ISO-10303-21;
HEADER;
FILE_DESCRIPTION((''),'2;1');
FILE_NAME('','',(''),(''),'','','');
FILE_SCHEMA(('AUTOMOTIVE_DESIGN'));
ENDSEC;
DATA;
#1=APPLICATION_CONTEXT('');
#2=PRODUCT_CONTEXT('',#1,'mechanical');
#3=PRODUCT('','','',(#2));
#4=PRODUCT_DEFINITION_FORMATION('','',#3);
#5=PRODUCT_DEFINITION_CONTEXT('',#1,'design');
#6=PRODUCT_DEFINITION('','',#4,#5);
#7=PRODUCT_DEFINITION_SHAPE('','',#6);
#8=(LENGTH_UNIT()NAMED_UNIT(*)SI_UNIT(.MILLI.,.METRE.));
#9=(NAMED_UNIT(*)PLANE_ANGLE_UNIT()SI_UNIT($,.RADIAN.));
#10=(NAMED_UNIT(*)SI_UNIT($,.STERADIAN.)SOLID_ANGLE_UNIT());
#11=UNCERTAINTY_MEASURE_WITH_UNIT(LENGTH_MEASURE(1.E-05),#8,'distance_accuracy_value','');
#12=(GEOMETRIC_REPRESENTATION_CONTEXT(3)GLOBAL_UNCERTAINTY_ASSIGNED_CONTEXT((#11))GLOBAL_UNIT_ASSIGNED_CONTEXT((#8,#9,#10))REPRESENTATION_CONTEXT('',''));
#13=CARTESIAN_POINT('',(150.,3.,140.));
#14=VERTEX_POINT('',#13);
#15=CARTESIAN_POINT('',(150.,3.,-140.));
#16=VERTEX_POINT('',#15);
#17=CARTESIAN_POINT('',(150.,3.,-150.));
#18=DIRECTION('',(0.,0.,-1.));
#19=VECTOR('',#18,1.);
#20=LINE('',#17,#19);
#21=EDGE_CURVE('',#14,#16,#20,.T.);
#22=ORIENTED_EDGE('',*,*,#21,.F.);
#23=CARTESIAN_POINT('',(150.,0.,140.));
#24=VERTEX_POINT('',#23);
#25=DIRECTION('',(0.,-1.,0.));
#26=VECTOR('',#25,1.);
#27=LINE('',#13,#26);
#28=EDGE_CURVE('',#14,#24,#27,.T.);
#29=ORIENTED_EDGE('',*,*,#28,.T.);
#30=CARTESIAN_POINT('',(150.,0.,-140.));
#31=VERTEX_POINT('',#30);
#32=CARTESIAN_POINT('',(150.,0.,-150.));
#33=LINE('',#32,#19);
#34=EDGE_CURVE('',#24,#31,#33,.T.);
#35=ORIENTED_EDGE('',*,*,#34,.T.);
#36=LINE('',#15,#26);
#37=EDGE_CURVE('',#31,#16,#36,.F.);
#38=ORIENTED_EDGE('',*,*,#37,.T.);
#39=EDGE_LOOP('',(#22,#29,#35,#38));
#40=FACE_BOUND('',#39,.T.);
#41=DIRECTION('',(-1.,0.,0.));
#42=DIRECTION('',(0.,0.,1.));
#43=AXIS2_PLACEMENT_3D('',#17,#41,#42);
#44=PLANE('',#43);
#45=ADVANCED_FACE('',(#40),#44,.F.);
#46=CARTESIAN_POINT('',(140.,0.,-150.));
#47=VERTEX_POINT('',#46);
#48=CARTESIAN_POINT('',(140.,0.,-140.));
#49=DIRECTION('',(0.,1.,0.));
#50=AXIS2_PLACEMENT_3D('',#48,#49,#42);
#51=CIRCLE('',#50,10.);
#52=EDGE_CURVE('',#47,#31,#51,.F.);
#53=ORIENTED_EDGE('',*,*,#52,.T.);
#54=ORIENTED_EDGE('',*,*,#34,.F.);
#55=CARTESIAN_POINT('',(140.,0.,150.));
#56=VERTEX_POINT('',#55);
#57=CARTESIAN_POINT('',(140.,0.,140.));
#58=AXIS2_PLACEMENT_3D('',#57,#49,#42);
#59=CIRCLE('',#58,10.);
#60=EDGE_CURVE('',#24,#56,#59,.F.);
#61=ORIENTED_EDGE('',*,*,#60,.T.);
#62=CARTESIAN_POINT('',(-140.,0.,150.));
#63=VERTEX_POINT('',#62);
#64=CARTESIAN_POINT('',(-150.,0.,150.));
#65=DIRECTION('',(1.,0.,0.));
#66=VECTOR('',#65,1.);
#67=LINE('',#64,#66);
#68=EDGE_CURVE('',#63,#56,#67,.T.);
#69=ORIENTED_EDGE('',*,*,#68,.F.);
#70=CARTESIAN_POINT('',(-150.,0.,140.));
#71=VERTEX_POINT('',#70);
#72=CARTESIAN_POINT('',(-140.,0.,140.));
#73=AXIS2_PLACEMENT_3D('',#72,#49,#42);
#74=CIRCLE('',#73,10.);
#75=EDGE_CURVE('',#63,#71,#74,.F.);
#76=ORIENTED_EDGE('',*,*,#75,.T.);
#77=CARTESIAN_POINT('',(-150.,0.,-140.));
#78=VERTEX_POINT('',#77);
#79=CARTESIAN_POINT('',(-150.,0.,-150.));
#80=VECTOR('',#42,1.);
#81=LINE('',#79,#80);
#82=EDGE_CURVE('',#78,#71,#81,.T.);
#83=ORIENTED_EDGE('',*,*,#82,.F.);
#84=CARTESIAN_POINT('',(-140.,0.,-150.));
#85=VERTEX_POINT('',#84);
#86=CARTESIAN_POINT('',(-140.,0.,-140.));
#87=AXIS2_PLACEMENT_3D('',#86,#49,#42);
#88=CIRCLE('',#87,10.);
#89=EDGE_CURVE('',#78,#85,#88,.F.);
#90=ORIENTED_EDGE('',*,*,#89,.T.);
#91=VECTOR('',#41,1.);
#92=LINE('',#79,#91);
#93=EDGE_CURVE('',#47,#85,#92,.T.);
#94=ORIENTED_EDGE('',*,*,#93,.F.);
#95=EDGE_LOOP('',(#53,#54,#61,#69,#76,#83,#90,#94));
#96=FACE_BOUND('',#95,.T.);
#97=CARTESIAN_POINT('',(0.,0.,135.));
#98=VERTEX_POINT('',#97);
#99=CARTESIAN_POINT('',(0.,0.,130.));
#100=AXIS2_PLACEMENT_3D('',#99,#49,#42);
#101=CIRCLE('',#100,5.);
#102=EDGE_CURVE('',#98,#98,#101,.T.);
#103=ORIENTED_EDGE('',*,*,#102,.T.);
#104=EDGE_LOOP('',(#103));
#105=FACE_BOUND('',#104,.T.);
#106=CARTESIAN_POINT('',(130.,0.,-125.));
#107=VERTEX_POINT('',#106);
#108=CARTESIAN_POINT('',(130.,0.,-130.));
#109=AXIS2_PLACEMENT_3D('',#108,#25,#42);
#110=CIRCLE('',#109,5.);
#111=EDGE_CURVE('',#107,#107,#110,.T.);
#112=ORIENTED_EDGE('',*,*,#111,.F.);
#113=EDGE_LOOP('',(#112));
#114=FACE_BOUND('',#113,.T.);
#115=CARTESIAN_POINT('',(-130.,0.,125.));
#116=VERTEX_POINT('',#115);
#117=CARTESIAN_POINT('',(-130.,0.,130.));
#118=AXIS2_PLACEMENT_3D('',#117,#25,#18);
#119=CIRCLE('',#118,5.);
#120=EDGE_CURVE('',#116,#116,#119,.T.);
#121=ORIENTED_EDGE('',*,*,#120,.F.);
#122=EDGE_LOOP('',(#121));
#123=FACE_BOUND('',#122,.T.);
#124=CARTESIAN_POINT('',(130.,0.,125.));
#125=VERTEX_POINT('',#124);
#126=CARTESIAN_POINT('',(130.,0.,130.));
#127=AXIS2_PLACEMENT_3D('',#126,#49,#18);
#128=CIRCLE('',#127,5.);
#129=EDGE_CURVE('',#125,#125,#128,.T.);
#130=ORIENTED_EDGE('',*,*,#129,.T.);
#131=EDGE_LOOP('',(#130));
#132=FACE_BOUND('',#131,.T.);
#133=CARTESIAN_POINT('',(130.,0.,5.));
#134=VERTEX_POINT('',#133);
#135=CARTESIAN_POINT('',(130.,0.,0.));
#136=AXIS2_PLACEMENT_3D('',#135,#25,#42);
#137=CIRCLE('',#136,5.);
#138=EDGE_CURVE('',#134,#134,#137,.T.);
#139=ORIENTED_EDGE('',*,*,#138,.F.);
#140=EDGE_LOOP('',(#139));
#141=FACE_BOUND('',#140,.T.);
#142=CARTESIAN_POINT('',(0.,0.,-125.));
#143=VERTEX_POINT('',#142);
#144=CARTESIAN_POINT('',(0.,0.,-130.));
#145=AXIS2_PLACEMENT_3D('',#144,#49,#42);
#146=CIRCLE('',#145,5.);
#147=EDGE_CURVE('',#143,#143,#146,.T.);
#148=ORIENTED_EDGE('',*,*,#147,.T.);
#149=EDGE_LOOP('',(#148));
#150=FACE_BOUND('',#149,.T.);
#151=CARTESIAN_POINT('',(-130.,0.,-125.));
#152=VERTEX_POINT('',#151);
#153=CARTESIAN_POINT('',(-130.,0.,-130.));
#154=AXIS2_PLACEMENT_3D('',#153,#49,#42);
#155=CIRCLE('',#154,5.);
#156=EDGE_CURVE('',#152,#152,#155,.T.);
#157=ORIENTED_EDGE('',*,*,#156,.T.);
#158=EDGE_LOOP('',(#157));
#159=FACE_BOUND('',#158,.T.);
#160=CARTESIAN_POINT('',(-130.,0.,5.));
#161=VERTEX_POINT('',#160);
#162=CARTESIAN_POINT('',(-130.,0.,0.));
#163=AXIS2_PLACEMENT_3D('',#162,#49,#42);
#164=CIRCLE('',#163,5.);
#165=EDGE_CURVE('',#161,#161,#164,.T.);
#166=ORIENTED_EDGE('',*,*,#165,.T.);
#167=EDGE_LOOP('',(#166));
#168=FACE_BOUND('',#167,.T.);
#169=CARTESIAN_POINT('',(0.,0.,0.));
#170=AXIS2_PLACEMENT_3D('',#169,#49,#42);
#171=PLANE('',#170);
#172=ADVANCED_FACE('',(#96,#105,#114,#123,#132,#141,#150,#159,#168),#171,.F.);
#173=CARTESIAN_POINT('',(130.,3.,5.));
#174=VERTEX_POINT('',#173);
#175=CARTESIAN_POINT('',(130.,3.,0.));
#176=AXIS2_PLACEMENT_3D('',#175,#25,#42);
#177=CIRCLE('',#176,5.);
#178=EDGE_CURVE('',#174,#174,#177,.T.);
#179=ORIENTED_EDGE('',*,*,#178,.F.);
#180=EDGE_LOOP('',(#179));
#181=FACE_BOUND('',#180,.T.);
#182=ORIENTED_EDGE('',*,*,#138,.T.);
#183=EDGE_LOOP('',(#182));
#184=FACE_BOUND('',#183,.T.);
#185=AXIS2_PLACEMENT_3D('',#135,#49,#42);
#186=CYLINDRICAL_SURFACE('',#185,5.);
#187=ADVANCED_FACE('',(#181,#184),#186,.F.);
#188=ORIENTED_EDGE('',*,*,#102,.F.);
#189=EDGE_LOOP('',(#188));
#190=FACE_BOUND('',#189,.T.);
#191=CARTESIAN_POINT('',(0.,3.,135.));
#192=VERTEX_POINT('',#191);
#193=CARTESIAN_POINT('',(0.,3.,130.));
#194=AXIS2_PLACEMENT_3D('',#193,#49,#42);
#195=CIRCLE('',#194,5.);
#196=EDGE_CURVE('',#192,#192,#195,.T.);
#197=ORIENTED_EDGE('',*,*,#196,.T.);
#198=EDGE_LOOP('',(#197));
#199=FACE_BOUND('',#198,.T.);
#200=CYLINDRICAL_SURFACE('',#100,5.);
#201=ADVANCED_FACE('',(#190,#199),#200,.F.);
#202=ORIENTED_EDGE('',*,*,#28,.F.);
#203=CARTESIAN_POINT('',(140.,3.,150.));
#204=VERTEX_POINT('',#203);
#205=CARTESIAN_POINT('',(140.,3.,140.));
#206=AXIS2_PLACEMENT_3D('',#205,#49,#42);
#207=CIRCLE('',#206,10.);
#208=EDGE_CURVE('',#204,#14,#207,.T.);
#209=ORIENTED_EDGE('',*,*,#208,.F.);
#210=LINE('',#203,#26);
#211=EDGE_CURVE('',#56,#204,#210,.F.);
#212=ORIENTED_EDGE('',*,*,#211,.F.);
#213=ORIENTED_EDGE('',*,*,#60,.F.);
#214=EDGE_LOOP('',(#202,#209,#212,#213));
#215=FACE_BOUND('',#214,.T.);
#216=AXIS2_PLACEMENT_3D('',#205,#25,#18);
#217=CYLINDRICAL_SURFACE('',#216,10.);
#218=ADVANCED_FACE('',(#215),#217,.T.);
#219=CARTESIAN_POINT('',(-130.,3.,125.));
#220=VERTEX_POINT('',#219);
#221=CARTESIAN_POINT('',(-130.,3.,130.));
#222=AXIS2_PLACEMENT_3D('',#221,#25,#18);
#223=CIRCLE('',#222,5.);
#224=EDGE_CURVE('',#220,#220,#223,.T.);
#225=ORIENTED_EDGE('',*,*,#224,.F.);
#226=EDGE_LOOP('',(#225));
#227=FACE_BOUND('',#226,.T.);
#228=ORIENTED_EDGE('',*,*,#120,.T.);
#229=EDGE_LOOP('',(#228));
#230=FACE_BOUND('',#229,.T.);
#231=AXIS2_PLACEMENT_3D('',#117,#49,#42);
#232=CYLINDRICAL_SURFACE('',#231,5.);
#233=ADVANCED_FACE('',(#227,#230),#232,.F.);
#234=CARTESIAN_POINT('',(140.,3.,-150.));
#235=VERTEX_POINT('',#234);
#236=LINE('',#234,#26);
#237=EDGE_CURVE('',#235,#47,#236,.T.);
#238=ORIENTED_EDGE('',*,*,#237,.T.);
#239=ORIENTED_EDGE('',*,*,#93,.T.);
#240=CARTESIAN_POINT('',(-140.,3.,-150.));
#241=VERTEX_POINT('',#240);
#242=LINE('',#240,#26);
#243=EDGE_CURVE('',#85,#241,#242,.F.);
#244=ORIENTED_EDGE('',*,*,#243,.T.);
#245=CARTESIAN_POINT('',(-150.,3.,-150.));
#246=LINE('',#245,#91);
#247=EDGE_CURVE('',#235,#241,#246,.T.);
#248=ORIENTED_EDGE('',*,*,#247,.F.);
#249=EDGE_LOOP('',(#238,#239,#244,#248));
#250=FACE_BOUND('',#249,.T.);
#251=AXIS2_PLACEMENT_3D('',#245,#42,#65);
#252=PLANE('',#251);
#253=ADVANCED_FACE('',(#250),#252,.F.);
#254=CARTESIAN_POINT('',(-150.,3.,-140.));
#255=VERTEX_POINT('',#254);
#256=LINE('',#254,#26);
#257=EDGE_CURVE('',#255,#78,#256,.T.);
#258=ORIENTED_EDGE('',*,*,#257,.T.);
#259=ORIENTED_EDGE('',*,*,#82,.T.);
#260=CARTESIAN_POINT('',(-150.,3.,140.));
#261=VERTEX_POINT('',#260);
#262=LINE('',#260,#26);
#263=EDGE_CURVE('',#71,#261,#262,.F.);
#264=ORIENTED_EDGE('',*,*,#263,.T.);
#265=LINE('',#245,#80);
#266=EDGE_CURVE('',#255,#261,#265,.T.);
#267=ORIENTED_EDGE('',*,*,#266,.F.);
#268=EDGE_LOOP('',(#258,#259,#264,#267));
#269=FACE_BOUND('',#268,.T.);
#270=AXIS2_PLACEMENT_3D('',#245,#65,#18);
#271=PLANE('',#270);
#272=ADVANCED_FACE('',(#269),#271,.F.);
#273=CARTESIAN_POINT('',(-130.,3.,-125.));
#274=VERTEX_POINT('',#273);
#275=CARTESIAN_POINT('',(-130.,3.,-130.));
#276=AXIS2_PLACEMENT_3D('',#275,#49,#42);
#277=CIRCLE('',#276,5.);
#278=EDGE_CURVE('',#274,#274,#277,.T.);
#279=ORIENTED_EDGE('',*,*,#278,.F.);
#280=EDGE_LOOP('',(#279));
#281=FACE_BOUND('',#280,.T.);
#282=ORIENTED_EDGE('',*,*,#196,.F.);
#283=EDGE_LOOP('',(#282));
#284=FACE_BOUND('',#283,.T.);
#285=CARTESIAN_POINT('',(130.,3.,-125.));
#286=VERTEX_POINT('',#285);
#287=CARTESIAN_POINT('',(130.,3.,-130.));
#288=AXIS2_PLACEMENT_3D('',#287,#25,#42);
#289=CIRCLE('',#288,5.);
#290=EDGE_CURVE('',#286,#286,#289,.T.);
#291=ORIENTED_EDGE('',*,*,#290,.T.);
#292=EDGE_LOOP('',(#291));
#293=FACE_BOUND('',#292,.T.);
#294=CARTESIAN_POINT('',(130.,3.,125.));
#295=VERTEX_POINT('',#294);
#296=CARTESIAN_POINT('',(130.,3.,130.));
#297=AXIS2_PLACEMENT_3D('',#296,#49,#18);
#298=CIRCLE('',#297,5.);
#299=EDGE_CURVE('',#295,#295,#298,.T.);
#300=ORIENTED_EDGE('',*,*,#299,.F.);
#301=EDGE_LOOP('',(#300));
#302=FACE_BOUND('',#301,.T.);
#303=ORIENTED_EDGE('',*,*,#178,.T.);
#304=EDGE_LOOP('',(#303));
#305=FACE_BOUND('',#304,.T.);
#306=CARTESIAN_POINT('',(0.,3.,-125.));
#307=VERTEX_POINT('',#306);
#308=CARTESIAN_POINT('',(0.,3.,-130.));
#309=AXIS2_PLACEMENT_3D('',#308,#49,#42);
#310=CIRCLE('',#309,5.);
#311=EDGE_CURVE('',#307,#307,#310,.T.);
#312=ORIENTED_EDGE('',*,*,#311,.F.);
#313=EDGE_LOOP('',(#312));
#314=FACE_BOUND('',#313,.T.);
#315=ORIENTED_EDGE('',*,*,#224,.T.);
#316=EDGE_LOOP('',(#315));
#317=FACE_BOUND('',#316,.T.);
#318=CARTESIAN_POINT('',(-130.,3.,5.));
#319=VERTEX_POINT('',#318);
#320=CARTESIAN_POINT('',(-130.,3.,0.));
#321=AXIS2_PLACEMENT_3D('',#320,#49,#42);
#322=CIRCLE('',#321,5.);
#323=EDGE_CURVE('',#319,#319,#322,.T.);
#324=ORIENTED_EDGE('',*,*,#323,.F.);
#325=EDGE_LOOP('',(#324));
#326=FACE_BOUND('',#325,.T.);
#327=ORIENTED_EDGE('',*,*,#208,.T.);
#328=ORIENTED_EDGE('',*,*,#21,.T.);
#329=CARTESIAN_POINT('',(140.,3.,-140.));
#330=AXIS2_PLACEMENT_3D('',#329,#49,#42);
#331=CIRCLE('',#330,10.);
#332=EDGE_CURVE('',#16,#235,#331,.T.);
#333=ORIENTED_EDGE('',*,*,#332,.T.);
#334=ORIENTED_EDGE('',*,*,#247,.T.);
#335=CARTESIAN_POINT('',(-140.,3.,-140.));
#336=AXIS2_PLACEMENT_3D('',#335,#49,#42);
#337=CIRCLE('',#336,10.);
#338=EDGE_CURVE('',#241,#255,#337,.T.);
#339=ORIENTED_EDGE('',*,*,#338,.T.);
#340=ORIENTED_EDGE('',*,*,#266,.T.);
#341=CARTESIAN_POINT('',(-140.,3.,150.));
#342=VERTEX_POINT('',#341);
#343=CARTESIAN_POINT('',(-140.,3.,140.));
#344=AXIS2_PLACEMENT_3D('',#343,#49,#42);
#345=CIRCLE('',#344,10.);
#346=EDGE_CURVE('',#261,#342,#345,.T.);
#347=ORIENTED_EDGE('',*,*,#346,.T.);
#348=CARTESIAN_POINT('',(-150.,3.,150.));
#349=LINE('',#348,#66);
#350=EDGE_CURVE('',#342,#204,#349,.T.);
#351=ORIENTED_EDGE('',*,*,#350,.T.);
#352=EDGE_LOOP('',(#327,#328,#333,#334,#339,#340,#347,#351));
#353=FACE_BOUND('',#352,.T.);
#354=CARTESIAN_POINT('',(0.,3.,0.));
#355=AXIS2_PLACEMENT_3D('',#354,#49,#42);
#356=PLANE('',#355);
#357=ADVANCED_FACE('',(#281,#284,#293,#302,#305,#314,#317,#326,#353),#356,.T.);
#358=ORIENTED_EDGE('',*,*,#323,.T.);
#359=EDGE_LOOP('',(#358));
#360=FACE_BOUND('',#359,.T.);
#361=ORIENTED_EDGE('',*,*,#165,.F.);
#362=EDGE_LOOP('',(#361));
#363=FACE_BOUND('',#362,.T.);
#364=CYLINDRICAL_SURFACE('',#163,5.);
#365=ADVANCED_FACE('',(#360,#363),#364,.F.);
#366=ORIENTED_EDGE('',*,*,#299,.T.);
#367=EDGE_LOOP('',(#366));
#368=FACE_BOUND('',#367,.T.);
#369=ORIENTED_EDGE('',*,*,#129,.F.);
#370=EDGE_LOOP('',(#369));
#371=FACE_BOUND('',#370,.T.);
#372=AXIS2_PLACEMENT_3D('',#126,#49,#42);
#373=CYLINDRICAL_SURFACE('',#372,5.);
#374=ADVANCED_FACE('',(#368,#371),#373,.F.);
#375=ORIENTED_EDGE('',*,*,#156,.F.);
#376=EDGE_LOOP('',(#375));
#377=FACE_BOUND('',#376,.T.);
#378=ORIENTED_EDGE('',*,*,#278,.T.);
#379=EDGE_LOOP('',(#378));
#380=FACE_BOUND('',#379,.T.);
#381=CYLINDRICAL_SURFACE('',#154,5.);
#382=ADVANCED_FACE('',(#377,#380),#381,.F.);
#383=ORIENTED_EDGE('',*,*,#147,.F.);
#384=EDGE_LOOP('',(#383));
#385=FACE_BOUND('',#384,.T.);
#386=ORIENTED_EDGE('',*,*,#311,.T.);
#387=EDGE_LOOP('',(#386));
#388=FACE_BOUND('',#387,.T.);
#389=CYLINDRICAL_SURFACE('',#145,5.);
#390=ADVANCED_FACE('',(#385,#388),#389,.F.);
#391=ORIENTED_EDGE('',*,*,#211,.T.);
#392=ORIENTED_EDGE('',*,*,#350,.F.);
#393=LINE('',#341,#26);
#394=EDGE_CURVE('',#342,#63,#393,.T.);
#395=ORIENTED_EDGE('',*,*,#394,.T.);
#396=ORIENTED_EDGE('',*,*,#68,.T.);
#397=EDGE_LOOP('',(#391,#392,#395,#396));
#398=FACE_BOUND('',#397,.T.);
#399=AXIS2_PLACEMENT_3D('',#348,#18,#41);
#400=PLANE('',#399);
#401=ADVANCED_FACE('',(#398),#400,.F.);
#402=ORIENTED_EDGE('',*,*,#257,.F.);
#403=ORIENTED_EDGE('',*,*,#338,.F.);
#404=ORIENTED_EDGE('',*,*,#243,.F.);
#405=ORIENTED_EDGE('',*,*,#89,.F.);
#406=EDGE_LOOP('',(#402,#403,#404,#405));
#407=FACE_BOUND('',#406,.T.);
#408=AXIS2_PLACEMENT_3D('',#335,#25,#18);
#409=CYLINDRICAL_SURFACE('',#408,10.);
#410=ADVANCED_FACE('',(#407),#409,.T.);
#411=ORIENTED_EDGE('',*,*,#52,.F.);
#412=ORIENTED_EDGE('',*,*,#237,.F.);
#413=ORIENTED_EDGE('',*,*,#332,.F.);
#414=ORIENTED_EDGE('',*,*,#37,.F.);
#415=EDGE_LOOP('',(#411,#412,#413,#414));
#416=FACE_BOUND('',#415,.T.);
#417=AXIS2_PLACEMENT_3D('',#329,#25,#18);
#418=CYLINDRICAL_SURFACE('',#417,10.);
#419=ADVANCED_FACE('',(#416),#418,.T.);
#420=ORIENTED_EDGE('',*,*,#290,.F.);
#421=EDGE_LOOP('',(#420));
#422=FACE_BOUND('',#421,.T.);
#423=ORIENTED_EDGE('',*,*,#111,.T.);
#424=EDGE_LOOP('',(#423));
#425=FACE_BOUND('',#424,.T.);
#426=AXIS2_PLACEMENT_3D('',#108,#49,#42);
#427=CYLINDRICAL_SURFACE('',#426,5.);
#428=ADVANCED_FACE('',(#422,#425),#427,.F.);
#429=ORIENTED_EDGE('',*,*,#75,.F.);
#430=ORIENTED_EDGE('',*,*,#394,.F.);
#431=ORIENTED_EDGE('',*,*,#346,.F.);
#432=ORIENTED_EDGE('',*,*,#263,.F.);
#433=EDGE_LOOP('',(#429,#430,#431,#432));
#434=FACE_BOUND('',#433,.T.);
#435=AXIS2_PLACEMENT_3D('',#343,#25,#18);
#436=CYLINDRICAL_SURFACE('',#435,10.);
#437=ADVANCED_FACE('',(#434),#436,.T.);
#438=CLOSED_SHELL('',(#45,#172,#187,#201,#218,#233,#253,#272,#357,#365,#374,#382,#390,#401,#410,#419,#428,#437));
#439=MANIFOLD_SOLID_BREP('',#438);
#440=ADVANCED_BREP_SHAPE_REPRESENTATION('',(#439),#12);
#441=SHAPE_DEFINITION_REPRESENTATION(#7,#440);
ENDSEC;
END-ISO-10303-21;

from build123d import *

# Parameters (mm, degrees)
SKETCH_1_W               = 300
SKETCH_1_H               = 300
EXTRUDE_1_DEPTH          = 3
FILLET_1_R               = 10
SKETCH_2_R               = 5
CUT_EXTRUDE_1_DEPTH      = 213.153246499
MIRROR_2_COPY_1_SKETCH_R = 5
MIRROR_2_COPY_1_DEPTH    = 213.153246499
SKETCH_3_R               = 5
CUT_EXTRUDE_2_DEPTH      = 213.153246499
SKETCH_4_R               = 5
CUT_EXTRUDE_3_DEPTH      = 213.153246499


with BuildPart() as part:
    # 草图1 → 凸台-拉伸1 (new body)
    with BuildSketch(Plane(origin=(0, 0, 0), x_dir=(1, 0, 0), z_dir=(0, 1, 0))):
        Rectangle(SKETCH_1_W, SKETCH_1_H)
    extrude(amount=EXTRUDE_1_DEPTH)

    # 圆角1
    fillet_1_edges = [part.edges().sort_by_distance(p)[0] for p in [
        (-150, 1.5, -150),
        (150, 1.5, -150),
        (150, 1.5, 150),
        (-150, 1.5, 150),
    ]]
    fillet(fillet_1_edges, radius=FILLET_1_R)

    # 草图2 → 切除-拉伸1 (cut, through all)
    with BuildSketch(Plane(origin=(0, 3, 0), x_dir=(1, 0, 0), z_dir=(0, 1, 0))):
        with Locations(Location((-130, 130, 0), (0, 0, 270))):
            Circle(SKETCH_2_R)
    cut_extrude_1 = extrude(amount=-CUT_EXTRUDE_1_DEPTH, mode=Mode.SUBTRACT)

    # 镜向1: 切除-拉伸1 across plane
    add(cut_extrude_1.mirror(Plane.XY), mode=Mode.SUBTRACT)

    # 镜向2: 切除-拉伸1 across plane
    add(cut_extrude_1.mirror(Plane(origin=(0, 0, 0), x_dir=(0, 0, 1), z_dir=(1, 0, 0))), mode=Mode.SUBTRACT)

    # 镜向2 copy 1 sketch → 镜向2 copy 1 (cut, through all)
    with BuildSketch(Plane(origin=(0, 3, 0), x_dir=(-1, 0, 0), z_dir=(0, 1, 0))):
        with Locations(Location((-130, 130, 0), (0, 0, 270))):
            Circle(MIRROR_2_COPY_1_SKETCH_R)
    extrude(amount=-MIRROR_2_COPY_1_DEPTH, mode=Mode.SUBTRACT)

    # 草图3 → 切除-拉伸2 (cut, through all)
    with BuildSketch(Plane(origin=(0, 3, 0), x_dir=(1, 0, 0), z_dir=(0, 1, 0))):
        with Locations(Location((-130, 0, 0), (0, 0, 270))):
            Circle(SKETCH_3_R)
    cut_extrude_2 = extrude(amount=-CUT_EXTRUDE_2_DEPTH, mode=Mode.SUBTRACT)

    # 镜向3: 切除-拉伸2 across plane
    add(cut_extrude_2.mirror(Plane(origin=(0, 0, 0), x_dir=(0, 0, 1), z_dir=(1, 0, 0))), mode=Mode.SUBTRACT)

    # 草图4 → 切除-拉伸3 (cut, through all)
    with BuildSketch(Plane(origin=(0, 3, 0), x_dir=(1, 0, 0), z_dir=(0, 1, 0))):
        with Locations(Location((0, 130, 0), (0, 0, 270))):
            Circle(SKETCH_4_R)
        with Locations(Location((0, -130, 0), (0, 0, 270))):
            Circle(SKETCH_4_R)
    extrude(amount=-CUT_EXTRUDE_3_DEPTH, mode=Mode.SUBTRACT)


solid = part.part
